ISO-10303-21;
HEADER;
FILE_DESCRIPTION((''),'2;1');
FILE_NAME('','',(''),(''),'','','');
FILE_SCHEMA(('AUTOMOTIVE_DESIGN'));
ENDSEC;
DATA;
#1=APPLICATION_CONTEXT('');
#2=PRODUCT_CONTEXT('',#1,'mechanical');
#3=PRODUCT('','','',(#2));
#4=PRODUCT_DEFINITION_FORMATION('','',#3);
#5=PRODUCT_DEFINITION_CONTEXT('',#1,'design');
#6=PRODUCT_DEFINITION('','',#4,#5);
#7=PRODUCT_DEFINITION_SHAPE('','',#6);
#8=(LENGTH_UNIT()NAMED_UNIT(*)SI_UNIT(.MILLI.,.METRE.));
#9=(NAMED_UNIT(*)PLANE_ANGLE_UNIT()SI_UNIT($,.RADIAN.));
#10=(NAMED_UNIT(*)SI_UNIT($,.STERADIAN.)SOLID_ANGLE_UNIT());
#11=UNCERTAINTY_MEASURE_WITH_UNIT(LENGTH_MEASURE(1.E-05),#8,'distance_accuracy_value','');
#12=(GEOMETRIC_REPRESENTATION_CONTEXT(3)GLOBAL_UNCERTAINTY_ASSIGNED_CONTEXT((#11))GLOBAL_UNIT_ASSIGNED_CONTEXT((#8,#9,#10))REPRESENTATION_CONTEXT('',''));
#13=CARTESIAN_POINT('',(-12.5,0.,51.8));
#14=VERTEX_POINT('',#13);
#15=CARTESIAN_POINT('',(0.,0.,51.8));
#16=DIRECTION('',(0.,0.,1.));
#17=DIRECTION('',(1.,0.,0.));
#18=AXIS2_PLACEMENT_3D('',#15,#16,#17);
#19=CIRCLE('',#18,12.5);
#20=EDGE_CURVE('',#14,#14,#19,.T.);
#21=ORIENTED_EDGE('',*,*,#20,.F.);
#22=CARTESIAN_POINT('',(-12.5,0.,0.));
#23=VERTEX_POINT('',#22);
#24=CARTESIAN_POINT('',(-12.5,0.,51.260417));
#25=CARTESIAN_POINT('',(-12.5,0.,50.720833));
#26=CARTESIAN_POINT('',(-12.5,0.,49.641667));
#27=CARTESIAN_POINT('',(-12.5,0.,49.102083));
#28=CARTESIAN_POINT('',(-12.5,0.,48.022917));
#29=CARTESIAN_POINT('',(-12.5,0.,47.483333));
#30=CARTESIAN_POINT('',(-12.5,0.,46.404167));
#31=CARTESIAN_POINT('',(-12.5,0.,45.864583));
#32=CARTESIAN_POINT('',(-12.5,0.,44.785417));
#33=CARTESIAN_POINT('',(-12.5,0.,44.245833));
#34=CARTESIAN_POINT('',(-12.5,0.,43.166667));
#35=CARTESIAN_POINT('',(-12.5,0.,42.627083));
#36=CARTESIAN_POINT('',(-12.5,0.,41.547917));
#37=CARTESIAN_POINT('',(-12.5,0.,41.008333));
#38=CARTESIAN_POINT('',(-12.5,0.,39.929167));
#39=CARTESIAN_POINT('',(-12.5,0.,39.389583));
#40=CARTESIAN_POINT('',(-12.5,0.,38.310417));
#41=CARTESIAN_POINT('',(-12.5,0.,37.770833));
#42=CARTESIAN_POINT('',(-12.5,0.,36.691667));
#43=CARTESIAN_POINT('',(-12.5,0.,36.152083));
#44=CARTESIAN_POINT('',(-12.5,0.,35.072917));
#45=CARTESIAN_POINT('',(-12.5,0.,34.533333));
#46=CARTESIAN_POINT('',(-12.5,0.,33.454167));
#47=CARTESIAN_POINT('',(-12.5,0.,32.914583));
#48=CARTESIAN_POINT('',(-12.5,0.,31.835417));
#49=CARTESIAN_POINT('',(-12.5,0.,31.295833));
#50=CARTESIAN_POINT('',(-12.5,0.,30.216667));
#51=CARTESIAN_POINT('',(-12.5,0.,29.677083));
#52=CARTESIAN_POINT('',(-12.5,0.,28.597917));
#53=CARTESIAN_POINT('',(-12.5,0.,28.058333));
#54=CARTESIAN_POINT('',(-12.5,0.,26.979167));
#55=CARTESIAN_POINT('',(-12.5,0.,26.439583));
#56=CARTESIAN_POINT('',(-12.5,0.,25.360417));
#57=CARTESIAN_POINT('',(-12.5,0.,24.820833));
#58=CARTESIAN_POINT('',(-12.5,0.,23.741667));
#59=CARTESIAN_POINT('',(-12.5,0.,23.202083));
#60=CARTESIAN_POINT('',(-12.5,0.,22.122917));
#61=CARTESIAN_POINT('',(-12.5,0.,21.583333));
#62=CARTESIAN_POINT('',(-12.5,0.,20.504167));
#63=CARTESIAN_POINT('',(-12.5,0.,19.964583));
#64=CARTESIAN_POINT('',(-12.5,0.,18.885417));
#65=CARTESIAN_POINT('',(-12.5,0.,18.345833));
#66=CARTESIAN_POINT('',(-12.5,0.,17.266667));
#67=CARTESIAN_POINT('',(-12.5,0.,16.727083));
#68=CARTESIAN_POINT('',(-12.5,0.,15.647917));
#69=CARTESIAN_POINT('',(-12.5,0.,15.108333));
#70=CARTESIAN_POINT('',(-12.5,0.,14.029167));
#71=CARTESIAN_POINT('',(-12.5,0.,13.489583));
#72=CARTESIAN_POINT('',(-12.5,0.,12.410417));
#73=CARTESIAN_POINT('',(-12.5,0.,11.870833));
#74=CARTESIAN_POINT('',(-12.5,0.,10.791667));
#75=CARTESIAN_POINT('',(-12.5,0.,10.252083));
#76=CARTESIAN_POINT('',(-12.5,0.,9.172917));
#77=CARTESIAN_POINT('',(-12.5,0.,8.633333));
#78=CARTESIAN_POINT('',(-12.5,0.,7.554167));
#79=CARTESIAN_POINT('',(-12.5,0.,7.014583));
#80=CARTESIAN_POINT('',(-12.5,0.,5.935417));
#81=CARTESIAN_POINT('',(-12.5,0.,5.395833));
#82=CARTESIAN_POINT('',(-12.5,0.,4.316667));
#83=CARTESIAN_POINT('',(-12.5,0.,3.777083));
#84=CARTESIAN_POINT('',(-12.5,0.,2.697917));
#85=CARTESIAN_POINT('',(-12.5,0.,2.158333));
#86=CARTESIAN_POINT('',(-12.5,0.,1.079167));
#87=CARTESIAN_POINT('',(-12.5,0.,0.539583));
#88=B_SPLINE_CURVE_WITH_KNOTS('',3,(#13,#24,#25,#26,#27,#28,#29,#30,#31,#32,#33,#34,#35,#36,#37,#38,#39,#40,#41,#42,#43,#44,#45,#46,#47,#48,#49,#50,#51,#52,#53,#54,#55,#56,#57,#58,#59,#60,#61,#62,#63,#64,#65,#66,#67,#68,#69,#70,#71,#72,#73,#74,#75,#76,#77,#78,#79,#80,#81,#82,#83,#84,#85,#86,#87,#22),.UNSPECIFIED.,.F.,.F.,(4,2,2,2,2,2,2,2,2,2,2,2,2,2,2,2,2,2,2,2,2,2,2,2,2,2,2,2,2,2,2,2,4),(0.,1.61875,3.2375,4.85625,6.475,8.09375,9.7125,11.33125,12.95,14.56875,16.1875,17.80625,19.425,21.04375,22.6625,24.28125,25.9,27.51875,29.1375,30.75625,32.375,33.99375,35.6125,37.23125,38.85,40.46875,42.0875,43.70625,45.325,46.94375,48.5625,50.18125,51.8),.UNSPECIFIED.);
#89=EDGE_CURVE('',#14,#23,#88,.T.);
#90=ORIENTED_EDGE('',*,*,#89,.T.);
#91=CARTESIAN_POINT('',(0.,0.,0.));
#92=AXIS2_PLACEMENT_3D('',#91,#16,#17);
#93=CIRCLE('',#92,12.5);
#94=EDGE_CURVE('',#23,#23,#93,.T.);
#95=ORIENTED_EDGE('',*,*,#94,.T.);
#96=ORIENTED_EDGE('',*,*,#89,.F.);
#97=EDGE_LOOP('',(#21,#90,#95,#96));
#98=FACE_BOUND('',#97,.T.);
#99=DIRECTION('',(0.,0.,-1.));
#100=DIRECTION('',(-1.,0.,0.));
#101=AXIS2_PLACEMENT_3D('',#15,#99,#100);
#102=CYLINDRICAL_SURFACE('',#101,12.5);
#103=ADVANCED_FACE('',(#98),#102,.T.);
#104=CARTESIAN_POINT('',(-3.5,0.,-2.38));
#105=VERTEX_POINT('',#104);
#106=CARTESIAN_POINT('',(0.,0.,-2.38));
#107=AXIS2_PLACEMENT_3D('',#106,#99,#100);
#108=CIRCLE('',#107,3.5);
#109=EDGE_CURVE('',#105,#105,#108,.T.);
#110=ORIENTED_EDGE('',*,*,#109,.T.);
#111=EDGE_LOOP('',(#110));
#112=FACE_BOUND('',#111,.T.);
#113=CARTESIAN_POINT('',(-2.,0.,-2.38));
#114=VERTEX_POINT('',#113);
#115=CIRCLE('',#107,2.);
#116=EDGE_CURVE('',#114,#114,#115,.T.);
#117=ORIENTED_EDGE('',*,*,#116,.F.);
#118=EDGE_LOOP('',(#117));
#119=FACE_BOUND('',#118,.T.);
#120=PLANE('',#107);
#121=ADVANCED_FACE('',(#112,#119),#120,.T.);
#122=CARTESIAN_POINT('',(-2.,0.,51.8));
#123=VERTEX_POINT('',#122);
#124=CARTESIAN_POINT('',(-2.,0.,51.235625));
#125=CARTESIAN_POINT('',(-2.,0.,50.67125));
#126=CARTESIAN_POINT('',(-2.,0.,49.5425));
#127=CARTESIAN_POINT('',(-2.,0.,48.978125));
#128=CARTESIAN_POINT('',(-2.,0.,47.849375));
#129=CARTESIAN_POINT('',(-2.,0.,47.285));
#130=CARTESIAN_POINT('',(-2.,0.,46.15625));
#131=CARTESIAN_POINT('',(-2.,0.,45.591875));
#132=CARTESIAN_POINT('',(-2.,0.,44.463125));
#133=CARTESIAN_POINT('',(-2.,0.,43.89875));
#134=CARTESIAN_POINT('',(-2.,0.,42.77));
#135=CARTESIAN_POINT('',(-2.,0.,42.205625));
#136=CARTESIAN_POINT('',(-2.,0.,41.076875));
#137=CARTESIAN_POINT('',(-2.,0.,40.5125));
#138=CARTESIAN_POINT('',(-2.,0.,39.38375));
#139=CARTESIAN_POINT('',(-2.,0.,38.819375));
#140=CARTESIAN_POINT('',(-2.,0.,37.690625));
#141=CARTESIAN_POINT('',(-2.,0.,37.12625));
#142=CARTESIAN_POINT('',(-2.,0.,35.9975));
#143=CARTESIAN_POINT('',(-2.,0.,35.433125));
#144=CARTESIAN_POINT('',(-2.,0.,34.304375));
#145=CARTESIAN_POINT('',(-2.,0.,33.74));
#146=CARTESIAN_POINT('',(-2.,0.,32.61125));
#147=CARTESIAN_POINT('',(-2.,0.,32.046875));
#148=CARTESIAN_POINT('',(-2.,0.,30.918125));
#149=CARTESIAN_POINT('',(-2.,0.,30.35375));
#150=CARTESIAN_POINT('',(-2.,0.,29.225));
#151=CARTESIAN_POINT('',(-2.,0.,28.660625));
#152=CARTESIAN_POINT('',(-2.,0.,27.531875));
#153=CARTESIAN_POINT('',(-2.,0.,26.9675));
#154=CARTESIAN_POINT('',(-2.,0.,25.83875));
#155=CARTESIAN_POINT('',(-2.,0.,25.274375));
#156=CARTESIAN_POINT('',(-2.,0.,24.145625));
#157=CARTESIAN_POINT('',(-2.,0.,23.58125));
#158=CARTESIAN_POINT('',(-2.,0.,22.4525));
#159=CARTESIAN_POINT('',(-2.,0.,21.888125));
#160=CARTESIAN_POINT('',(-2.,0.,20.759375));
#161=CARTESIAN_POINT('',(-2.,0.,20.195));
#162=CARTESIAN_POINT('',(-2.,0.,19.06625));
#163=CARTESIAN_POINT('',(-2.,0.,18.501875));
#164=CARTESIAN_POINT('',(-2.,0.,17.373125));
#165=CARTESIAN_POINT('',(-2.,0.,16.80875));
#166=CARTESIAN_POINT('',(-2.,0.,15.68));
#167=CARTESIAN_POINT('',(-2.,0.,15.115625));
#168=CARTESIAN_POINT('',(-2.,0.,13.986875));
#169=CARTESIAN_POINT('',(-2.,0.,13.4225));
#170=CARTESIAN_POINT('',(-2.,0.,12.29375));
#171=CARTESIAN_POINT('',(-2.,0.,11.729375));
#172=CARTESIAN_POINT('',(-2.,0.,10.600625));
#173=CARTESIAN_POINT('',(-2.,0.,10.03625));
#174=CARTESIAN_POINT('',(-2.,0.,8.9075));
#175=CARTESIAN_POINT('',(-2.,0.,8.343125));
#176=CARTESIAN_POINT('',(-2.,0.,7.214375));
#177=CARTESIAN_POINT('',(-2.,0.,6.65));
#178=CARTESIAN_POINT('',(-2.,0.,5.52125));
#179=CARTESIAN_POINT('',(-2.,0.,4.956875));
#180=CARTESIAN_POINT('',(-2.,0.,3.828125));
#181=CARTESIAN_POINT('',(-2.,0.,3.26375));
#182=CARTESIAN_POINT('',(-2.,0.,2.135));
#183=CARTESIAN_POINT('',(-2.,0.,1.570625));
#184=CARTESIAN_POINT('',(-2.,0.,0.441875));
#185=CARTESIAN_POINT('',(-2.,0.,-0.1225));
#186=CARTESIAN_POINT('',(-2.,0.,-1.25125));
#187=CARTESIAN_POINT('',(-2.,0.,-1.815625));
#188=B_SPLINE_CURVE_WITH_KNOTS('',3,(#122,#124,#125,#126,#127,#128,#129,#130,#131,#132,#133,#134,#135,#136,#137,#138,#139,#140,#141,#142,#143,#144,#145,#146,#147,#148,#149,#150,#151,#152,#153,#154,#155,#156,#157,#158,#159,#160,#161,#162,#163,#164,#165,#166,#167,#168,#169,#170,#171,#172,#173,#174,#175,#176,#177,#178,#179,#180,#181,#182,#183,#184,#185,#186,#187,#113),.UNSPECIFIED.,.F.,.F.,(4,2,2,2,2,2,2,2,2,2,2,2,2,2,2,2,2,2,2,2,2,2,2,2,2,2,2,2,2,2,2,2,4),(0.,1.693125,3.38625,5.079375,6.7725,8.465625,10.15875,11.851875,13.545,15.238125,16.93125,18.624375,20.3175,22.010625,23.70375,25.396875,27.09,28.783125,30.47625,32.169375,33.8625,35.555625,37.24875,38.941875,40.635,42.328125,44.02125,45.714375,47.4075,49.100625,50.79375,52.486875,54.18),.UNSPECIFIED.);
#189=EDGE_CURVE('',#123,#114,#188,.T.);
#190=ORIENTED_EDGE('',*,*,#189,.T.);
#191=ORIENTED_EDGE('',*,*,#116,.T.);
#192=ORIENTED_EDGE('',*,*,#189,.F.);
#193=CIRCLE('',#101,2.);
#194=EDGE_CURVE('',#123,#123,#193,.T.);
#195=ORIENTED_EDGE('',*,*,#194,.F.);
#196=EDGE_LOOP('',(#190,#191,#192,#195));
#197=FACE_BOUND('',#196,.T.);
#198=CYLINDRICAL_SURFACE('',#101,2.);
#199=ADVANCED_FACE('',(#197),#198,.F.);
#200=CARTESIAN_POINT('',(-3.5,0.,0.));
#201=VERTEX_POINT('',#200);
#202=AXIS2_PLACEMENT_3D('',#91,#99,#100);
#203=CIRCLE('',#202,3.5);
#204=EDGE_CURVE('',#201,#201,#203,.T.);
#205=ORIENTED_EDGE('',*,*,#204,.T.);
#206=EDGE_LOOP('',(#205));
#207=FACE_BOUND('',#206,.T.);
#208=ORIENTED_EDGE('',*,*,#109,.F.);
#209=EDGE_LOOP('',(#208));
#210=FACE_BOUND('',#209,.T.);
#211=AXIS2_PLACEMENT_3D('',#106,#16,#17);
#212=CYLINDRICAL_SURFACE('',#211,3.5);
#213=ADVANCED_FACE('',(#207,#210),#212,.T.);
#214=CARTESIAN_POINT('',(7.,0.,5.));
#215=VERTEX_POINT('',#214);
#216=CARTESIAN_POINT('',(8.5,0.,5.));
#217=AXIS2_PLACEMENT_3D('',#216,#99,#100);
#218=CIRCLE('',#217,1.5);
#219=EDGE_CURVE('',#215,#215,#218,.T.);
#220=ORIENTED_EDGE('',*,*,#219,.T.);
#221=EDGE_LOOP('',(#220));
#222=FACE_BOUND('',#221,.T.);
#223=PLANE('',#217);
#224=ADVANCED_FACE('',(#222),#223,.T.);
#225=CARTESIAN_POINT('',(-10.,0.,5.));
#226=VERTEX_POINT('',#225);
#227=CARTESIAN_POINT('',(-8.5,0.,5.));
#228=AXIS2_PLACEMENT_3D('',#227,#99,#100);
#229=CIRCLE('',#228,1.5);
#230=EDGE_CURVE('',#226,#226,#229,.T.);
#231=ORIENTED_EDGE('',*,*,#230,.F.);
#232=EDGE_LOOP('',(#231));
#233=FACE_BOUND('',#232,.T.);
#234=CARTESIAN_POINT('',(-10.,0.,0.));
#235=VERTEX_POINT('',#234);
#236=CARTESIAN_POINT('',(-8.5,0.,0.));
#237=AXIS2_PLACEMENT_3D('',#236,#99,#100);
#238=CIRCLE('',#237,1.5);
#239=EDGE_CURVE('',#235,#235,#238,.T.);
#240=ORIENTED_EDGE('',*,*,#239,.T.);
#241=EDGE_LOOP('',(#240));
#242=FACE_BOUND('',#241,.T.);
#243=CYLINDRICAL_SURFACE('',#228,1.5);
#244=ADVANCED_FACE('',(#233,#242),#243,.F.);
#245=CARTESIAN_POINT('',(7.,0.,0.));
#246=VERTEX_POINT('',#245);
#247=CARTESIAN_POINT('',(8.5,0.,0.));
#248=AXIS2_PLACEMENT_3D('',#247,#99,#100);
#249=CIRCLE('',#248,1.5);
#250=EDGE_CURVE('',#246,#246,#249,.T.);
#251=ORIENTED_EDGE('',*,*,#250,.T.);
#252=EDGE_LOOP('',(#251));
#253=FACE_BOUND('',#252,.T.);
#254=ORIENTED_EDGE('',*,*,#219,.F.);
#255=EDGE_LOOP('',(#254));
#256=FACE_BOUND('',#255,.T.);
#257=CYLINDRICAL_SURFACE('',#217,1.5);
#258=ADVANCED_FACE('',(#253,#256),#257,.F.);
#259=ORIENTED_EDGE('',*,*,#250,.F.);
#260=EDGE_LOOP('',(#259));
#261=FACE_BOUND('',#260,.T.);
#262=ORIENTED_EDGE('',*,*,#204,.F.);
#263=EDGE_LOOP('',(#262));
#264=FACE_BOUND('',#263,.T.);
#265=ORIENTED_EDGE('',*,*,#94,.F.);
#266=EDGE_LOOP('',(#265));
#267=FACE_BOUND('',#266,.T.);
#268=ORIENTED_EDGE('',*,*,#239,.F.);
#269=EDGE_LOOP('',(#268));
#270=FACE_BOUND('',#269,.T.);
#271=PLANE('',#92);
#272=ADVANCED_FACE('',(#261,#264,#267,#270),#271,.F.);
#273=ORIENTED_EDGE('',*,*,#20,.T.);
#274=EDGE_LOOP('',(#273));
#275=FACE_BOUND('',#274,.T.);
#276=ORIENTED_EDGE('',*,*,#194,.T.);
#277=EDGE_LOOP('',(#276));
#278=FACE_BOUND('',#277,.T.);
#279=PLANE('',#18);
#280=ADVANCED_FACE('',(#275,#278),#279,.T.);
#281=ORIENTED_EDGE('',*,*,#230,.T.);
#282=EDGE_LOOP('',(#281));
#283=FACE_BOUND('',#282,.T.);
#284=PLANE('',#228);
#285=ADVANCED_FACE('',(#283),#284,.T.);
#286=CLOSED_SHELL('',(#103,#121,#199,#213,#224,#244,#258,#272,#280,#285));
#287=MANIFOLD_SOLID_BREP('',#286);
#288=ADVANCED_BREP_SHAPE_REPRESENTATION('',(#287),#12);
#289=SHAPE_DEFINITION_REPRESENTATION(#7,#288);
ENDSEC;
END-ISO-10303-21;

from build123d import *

# Parameters (mm, degrees)
SKETCH1_R           = 12.5
BOSS_EXTRUDE1_DEPTH = 51.8
SKETCH2_R           = 3.5
BOSS_EXTRUDE2_DEPTH = 2.38
SKETCH3_R           = 1.5
CUT_EXTRUDE1_DEPTH  = 5
SKETCH4_R           = 2
CUT_EXTRUDE2_DEPTH  = 57.990985252


with BuildPart() as part:
    # Sketch1 → Boss-Extrude1 (new body)
    with BuildSketch(Plane.XY):
        with Locations(Location((0, 0, 0), (0, 0, 180))):
            Circle(SKETCH1_R)
    extrude(amount=BOSS_EXTRUDE1_DEPTH)

    # Sketch2 → Boss-Extrude2 (add)
    with BuildSketch(Plane(origin=(0, 0, 0), x_dir=(-1, 0, 0), z_dir=(0, 0, -1))):
        Circle(SKETCH2_R)
    extrude(amount=BOSS_EXTRUDE2_DEPTH)

    # Sketch3 → Cut-Extrude1 (cut)
    with BuildSketch(Plane(origin=(0, 0, 0), x_dir=(-1, 0, 0), z_dir=(0, 0, -1))):
        with Locations((8.5, 0)):
            Circle(SKETCH3_R)
        with Locations((-8.5, 0)):
            Circle(SKETCH3_R)
    extrude(amount=-CUT_EXTRUDE1_DEPTH, mode=Mode.SUBTRACT)

    # Sketch4 → Cut-Extrude2 (cut, through all)
    with BuildSketch(Plane(origin=(0, 0, -2.38), x_dir=(-1, 0, 0), z_dir=(0, 0, -1))):
        Circle(SKETCH4_R)
    extrude(amount=-CUT_EXTRUDE2_DEPTH, mode=Mode.SUBTRACT)


solid = part.part
